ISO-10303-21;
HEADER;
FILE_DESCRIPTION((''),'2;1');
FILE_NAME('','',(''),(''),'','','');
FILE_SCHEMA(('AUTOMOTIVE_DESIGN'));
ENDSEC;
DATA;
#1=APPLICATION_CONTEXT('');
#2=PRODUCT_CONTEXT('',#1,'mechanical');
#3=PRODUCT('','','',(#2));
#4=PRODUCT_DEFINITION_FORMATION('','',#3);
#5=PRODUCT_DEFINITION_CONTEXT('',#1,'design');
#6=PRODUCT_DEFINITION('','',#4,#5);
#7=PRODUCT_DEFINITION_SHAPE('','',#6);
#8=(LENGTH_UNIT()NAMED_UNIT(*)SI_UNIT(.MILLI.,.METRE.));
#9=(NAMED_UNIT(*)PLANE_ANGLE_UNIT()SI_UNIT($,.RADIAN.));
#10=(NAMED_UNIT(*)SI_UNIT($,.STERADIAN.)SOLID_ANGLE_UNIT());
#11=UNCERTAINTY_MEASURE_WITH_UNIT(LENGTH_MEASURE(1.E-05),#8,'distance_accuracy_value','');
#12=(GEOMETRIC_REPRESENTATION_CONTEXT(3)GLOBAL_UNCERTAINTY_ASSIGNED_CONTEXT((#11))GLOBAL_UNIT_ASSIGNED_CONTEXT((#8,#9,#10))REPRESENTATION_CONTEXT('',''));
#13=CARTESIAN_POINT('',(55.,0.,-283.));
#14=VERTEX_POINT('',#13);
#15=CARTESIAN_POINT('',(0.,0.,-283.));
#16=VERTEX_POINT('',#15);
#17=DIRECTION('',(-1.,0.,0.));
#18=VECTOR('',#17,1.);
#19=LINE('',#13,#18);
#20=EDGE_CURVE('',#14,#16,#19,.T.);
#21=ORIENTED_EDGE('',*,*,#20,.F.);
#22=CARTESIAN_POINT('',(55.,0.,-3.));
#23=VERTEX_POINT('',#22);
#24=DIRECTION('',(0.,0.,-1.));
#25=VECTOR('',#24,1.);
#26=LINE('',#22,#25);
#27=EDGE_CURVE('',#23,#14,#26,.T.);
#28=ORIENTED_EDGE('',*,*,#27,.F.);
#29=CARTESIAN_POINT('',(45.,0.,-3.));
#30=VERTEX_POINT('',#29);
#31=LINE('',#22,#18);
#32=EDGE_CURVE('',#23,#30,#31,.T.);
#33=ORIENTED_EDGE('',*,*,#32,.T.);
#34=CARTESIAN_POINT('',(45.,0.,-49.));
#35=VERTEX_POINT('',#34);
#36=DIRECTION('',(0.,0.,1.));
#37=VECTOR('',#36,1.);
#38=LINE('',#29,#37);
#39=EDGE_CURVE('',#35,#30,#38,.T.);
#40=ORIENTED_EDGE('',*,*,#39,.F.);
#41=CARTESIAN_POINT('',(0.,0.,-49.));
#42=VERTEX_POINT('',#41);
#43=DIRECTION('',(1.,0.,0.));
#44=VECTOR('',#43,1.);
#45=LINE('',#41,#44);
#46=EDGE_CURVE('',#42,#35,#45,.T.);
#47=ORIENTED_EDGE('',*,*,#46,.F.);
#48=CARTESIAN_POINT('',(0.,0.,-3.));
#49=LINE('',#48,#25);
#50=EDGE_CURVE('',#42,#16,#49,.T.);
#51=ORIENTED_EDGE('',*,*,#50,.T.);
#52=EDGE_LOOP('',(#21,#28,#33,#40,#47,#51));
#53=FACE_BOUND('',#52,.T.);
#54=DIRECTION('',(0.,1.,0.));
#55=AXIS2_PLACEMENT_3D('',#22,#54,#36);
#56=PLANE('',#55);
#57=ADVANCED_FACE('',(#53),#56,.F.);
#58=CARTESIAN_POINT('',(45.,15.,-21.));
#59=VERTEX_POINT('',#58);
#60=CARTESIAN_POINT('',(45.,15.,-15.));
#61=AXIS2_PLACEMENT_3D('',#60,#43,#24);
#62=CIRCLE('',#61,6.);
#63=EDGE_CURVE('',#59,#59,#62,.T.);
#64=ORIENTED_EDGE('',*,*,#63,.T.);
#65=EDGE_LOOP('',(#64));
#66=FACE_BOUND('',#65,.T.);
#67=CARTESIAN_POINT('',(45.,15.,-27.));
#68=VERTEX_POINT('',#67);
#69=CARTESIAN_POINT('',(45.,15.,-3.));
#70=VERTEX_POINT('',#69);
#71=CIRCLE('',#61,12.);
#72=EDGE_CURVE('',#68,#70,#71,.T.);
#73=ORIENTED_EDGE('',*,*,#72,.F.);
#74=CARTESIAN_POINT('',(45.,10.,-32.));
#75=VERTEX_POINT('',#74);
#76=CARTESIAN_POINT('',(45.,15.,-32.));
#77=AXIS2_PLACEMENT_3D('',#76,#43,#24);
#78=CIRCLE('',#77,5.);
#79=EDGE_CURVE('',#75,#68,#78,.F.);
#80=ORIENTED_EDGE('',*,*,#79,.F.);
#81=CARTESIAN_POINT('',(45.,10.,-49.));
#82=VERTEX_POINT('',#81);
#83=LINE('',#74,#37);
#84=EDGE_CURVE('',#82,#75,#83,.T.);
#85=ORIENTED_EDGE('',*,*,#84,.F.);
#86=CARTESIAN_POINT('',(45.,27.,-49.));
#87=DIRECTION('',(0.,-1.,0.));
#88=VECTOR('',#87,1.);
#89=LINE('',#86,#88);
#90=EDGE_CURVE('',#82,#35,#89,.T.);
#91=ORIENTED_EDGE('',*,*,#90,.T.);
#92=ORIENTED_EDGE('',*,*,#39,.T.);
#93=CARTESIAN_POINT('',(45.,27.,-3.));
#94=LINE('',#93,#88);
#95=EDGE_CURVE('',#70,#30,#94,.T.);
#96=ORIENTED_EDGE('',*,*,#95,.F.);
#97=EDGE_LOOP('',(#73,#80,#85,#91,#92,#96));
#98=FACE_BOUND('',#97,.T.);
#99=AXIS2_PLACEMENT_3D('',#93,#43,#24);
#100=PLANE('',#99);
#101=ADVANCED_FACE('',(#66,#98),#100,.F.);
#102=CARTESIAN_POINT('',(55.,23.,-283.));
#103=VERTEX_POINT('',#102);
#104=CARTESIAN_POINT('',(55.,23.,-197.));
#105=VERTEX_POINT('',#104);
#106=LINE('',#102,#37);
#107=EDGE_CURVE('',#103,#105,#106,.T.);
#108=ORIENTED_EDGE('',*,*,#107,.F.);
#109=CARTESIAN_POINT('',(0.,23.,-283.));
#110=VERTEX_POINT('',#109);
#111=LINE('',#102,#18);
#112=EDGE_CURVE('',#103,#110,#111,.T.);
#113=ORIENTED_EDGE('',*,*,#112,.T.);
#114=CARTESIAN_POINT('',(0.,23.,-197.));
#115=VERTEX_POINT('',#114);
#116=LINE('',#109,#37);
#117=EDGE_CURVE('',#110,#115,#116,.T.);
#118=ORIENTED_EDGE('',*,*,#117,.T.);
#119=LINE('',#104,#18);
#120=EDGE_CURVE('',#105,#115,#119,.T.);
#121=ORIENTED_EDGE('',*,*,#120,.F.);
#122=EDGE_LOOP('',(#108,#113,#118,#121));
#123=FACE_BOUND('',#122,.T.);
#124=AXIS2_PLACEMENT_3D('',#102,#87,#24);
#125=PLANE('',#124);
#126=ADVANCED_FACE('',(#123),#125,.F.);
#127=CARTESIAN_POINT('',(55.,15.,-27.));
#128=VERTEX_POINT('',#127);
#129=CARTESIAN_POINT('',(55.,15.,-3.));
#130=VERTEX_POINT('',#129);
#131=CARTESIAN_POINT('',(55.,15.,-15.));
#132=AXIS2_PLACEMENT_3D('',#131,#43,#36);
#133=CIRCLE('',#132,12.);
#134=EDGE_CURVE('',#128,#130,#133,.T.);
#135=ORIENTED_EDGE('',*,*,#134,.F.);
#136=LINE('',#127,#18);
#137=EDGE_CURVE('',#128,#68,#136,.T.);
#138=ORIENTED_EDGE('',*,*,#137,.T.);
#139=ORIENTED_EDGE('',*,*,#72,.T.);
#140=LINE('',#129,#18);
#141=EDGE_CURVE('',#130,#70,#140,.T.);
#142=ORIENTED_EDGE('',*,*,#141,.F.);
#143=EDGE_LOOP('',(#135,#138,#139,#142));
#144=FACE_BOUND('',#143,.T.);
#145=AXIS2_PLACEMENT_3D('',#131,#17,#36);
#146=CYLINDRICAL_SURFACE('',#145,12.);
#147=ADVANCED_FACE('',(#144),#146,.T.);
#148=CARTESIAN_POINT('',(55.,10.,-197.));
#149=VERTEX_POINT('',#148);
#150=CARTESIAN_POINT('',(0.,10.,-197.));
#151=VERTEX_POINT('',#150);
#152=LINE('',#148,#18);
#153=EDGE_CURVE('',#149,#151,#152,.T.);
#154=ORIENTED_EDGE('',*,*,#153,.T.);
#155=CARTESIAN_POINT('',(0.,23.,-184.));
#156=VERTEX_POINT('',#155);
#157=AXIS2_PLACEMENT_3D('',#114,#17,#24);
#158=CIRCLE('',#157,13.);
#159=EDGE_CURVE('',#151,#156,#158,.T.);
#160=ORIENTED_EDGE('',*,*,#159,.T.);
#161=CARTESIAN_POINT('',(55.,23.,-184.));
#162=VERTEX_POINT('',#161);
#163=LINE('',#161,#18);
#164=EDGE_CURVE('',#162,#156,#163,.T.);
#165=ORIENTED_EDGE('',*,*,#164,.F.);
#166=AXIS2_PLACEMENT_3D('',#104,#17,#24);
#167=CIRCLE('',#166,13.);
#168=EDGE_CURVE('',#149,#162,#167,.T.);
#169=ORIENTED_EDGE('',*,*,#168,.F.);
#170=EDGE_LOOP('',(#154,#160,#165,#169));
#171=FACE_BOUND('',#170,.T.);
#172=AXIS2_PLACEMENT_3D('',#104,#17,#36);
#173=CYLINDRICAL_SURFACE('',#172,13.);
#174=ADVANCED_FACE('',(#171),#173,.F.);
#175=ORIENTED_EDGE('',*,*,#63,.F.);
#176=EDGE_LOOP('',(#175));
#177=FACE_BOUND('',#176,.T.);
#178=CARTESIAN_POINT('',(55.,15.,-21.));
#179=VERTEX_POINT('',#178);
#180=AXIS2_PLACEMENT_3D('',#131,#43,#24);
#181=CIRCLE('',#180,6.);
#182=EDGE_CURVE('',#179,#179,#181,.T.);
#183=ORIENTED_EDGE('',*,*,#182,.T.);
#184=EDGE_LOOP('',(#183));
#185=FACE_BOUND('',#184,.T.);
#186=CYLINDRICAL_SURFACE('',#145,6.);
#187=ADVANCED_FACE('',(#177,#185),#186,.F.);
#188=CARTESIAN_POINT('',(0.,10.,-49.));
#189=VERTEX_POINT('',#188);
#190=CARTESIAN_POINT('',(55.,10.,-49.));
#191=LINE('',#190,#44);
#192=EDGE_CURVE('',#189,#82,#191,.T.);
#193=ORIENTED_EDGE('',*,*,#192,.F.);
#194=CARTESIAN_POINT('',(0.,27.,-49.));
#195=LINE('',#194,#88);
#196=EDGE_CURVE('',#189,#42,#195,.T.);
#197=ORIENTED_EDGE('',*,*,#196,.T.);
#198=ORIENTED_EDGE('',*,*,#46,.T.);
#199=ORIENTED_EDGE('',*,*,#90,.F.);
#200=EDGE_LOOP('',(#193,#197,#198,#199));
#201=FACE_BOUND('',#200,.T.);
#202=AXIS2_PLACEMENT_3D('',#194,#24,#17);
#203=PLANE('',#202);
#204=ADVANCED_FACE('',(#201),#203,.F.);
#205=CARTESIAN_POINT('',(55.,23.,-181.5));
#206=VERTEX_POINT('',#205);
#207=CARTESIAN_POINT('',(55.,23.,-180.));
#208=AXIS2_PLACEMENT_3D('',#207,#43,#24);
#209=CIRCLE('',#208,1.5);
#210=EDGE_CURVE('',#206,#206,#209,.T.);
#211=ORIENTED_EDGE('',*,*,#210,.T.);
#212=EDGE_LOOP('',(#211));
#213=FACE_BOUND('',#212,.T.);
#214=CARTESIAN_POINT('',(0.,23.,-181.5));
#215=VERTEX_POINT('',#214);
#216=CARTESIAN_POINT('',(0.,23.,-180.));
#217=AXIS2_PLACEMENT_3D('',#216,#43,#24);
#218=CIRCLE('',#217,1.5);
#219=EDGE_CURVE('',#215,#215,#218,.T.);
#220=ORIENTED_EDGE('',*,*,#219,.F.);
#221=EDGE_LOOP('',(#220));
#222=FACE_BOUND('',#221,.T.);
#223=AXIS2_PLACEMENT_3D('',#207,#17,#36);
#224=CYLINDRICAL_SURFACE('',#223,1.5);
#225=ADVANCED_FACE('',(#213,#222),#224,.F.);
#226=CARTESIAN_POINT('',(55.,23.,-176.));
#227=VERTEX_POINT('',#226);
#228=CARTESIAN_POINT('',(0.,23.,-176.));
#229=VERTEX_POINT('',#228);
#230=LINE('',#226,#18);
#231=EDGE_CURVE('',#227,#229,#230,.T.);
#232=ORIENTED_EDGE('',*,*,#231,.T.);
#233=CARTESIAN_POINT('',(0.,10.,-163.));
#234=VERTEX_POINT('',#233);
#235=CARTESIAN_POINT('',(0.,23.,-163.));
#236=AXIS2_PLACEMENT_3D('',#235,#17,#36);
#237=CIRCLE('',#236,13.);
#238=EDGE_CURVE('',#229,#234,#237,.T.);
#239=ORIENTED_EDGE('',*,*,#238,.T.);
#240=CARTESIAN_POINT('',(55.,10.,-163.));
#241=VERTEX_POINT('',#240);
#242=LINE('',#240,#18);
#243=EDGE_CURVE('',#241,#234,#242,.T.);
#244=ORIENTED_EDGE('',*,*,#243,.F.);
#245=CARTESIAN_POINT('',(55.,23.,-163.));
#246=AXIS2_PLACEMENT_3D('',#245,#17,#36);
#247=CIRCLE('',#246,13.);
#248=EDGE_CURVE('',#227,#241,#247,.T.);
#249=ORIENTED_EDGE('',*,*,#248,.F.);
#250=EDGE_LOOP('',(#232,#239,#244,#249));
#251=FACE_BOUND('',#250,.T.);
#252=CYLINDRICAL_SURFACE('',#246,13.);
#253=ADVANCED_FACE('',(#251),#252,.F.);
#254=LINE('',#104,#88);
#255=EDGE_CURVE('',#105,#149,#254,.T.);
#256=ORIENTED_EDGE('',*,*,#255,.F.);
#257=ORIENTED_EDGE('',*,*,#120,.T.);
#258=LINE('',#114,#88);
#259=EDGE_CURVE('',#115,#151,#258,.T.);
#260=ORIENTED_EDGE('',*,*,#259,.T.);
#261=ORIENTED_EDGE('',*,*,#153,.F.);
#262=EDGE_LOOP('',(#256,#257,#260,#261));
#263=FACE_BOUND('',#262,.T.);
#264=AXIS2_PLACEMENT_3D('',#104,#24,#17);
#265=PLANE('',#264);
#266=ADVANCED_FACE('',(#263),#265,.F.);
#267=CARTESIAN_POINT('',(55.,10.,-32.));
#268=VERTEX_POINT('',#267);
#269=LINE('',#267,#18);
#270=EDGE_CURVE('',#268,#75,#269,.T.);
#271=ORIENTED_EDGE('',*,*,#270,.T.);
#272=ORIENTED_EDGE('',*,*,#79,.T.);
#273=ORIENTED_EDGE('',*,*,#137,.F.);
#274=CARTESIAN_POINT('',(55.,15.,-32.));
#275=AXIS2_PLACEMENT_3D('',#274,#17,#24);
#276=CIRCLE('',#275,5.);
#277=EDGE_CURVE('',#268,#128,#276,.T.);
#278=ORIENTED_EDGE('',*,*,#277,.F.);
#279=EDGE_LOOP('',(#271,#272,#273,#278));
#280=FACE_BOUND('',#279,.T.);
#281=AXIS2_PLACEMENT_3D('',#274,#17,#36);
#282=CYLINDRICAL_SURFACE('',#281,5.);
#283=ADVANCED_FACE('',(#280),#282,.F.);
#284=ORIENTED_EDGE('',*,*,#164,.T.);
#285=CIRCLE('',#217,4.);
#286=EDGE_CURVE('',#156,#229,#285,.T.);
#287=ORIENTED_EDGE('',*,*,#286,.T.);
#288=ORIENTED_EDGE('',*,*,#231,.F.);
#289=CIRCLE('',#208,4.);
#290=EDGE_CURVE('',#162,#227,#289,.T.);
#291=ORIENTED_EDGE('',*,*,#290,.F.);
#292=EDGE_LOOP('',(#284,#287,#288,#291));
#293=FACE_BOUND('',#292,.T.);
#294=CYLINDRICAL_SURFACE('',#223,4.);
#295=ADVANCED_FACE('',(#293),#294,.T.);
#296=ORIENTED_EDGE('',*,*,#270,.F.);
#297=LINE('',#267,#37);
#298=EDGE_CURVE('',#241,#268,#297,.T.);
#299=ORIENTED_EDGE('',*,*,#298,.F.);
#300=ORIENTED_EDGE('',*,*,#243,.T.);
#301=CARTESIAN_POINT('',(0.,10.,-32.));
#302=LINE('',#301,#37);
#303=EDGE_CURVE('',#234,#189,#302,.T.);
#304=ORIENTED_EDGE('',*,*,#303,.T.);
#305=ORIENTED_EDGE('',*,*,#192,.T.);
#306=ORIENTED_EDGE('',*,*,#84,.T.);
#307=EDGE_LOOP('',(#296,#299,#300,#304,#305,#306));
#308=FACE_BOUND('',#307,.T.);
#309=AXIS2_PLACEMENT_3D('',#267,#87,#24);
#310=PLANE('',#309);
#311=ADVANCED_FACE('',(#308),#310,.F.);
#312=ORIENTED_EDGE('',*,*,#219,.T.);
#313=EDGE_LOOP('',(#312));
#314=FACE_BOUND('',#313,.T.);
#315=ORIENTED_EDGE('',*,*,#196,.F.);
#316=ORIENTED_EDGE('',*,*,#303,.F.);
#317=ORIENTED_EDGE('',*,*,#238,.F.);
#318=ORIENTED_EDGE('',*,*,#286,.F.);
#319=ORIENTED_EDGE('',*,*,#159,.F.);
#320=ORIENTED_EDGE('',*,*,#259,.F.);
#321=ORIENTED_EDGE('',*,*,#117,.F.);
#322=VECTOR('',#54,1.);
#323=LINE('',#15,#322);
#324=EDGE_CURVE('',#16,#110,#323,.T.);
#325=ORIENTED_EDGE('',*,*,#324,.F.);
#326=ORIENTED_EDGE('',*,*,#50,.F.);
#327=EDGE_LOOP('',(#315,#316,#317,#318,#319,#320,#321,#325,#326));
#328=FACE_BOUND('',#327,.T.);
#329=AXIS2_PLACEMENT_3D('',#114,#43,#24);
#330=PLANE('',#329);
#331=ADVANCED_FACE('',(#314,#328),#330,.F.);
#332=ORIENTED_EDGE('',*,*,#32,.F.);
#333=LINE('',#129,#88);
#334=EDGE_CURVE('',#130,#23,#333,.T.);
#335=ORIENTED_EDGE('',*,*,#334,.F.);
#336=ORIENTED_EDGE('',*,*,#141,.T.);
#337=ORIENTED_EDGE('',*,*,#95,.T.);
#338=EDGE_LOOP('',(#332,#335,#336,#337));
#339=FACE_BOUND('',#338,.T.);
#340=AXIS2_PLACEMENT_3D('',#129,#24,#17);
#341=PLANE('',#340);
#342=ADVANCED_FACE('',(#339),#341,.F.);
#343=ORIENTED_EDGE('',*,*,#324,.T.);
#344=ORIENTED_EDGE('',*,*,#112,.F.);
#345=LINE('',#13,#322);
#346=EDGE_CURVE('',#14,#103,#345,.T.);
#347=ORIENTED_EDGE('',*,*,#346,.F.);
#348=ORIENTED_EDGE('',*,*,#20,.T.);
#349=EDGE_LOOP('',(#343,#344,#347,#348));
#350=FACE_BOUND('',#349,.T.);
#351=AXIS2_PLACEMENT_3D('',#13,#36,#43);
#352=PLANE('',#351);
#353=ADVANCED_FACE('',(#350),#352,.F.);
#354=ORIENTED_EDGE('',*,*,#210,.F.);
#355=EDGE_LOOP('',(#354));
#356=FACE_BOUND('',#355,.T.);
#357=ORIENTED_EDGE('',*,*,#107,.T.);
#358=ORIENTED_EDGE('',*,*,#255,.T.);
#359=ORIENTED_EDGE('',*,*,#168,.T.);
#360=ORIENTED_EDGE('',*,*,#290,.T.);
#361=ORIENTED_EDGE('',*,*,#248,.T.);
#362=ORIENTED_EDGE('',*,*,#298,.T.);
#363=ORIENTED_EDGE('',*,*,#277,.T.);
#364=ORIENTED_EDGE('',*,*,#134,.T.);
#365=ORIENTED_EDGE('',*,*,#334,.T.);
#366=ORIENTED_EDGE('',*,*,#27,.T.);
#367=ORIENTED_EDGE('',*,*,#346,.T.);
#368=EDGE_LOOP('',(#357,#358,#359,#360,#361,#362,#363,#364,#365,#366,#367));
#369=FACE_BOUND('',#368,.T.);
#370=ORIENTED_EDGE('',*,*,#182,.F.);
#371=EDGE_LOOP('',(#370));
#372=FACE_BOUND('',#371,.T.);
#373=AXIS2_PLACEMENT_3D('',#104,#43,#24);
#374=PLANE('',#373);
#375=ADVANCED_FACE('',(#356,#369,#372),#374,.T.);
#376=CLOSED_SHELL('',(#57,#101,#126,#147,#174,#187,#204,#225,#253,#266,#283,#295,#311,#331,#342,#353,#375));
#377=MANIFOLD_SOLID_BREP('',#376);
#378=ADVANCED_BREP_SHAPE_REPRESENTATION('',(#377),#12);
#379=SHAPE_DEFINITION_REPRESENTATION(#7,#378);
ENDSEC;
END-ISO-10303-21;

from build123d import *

# Parameters (mm, degrees)
SKETCH1_R           = 6
SKETCH1_R_2         = 1.5
BOSS_EXTRUDE1_DEPTH = 55
SKETCH2_W           = 45
SKETCH2_H           = 46
CUT_EXTRUDE1_DEPTH  = 290.556557515


with BuildPart() as part:
    # Sketch1 → Boss-Extrude1 (new body)
    with BuildSketch(Plane(origin=(0, 0, 0), x_dir=(0, 0, -1), z_dir=(1, 0, 0))):
        with BuildLine():
            Line((3, 15), (3, 0))
            Line((3, 0), (283, 0))
            Line((283, 0), (283, 23))
            Line((283, 23), (197, 23))
            Line((197, 23), (197, 10))
            ThreePointArc((197, 10), (187.807611845, 13.807611845), (184, 23))
            ThreePointArc((184, 23), (180, 27), (176, 23))
            ThreePointArc((176, 23), (172.192388155, 13.807611845), (163, 10))
            Line((163, 10), (32, 10))
            ThreePointArc((32, 10), (28.464466094, 11.464466094), (27, 15))
            ThreePointArc((27, 15), (23.485281374, 23.485281374), (15, 27))
            ThreePointArc((15, 27), (6.514718626, 23.485281374), (3, 15))
        make_face()
        with Locations((15, 15)):
            Circle(SKETCH1_R, mode=Mode.SUBTRACT)
        with Locations((180, 23)):
            Circle(SKETCH1_R_2, mode=Mode.SUBTRACT)
    extrude(amount=BOSS_EXTRUDE1_DEPTH)

    # Sketch2 → Cut-Extrude1 (cut, through all)
    with BuildSketch(Plane.XZ):
        with Locations((22.5, -26)):
            Rectangle(SKETCH2_W, SKETCH2_H)
    extrude(amount=-CUT_EXTRUDE1_DEPTH, mode=Mode.SUBTRACT)


solid = part.part
